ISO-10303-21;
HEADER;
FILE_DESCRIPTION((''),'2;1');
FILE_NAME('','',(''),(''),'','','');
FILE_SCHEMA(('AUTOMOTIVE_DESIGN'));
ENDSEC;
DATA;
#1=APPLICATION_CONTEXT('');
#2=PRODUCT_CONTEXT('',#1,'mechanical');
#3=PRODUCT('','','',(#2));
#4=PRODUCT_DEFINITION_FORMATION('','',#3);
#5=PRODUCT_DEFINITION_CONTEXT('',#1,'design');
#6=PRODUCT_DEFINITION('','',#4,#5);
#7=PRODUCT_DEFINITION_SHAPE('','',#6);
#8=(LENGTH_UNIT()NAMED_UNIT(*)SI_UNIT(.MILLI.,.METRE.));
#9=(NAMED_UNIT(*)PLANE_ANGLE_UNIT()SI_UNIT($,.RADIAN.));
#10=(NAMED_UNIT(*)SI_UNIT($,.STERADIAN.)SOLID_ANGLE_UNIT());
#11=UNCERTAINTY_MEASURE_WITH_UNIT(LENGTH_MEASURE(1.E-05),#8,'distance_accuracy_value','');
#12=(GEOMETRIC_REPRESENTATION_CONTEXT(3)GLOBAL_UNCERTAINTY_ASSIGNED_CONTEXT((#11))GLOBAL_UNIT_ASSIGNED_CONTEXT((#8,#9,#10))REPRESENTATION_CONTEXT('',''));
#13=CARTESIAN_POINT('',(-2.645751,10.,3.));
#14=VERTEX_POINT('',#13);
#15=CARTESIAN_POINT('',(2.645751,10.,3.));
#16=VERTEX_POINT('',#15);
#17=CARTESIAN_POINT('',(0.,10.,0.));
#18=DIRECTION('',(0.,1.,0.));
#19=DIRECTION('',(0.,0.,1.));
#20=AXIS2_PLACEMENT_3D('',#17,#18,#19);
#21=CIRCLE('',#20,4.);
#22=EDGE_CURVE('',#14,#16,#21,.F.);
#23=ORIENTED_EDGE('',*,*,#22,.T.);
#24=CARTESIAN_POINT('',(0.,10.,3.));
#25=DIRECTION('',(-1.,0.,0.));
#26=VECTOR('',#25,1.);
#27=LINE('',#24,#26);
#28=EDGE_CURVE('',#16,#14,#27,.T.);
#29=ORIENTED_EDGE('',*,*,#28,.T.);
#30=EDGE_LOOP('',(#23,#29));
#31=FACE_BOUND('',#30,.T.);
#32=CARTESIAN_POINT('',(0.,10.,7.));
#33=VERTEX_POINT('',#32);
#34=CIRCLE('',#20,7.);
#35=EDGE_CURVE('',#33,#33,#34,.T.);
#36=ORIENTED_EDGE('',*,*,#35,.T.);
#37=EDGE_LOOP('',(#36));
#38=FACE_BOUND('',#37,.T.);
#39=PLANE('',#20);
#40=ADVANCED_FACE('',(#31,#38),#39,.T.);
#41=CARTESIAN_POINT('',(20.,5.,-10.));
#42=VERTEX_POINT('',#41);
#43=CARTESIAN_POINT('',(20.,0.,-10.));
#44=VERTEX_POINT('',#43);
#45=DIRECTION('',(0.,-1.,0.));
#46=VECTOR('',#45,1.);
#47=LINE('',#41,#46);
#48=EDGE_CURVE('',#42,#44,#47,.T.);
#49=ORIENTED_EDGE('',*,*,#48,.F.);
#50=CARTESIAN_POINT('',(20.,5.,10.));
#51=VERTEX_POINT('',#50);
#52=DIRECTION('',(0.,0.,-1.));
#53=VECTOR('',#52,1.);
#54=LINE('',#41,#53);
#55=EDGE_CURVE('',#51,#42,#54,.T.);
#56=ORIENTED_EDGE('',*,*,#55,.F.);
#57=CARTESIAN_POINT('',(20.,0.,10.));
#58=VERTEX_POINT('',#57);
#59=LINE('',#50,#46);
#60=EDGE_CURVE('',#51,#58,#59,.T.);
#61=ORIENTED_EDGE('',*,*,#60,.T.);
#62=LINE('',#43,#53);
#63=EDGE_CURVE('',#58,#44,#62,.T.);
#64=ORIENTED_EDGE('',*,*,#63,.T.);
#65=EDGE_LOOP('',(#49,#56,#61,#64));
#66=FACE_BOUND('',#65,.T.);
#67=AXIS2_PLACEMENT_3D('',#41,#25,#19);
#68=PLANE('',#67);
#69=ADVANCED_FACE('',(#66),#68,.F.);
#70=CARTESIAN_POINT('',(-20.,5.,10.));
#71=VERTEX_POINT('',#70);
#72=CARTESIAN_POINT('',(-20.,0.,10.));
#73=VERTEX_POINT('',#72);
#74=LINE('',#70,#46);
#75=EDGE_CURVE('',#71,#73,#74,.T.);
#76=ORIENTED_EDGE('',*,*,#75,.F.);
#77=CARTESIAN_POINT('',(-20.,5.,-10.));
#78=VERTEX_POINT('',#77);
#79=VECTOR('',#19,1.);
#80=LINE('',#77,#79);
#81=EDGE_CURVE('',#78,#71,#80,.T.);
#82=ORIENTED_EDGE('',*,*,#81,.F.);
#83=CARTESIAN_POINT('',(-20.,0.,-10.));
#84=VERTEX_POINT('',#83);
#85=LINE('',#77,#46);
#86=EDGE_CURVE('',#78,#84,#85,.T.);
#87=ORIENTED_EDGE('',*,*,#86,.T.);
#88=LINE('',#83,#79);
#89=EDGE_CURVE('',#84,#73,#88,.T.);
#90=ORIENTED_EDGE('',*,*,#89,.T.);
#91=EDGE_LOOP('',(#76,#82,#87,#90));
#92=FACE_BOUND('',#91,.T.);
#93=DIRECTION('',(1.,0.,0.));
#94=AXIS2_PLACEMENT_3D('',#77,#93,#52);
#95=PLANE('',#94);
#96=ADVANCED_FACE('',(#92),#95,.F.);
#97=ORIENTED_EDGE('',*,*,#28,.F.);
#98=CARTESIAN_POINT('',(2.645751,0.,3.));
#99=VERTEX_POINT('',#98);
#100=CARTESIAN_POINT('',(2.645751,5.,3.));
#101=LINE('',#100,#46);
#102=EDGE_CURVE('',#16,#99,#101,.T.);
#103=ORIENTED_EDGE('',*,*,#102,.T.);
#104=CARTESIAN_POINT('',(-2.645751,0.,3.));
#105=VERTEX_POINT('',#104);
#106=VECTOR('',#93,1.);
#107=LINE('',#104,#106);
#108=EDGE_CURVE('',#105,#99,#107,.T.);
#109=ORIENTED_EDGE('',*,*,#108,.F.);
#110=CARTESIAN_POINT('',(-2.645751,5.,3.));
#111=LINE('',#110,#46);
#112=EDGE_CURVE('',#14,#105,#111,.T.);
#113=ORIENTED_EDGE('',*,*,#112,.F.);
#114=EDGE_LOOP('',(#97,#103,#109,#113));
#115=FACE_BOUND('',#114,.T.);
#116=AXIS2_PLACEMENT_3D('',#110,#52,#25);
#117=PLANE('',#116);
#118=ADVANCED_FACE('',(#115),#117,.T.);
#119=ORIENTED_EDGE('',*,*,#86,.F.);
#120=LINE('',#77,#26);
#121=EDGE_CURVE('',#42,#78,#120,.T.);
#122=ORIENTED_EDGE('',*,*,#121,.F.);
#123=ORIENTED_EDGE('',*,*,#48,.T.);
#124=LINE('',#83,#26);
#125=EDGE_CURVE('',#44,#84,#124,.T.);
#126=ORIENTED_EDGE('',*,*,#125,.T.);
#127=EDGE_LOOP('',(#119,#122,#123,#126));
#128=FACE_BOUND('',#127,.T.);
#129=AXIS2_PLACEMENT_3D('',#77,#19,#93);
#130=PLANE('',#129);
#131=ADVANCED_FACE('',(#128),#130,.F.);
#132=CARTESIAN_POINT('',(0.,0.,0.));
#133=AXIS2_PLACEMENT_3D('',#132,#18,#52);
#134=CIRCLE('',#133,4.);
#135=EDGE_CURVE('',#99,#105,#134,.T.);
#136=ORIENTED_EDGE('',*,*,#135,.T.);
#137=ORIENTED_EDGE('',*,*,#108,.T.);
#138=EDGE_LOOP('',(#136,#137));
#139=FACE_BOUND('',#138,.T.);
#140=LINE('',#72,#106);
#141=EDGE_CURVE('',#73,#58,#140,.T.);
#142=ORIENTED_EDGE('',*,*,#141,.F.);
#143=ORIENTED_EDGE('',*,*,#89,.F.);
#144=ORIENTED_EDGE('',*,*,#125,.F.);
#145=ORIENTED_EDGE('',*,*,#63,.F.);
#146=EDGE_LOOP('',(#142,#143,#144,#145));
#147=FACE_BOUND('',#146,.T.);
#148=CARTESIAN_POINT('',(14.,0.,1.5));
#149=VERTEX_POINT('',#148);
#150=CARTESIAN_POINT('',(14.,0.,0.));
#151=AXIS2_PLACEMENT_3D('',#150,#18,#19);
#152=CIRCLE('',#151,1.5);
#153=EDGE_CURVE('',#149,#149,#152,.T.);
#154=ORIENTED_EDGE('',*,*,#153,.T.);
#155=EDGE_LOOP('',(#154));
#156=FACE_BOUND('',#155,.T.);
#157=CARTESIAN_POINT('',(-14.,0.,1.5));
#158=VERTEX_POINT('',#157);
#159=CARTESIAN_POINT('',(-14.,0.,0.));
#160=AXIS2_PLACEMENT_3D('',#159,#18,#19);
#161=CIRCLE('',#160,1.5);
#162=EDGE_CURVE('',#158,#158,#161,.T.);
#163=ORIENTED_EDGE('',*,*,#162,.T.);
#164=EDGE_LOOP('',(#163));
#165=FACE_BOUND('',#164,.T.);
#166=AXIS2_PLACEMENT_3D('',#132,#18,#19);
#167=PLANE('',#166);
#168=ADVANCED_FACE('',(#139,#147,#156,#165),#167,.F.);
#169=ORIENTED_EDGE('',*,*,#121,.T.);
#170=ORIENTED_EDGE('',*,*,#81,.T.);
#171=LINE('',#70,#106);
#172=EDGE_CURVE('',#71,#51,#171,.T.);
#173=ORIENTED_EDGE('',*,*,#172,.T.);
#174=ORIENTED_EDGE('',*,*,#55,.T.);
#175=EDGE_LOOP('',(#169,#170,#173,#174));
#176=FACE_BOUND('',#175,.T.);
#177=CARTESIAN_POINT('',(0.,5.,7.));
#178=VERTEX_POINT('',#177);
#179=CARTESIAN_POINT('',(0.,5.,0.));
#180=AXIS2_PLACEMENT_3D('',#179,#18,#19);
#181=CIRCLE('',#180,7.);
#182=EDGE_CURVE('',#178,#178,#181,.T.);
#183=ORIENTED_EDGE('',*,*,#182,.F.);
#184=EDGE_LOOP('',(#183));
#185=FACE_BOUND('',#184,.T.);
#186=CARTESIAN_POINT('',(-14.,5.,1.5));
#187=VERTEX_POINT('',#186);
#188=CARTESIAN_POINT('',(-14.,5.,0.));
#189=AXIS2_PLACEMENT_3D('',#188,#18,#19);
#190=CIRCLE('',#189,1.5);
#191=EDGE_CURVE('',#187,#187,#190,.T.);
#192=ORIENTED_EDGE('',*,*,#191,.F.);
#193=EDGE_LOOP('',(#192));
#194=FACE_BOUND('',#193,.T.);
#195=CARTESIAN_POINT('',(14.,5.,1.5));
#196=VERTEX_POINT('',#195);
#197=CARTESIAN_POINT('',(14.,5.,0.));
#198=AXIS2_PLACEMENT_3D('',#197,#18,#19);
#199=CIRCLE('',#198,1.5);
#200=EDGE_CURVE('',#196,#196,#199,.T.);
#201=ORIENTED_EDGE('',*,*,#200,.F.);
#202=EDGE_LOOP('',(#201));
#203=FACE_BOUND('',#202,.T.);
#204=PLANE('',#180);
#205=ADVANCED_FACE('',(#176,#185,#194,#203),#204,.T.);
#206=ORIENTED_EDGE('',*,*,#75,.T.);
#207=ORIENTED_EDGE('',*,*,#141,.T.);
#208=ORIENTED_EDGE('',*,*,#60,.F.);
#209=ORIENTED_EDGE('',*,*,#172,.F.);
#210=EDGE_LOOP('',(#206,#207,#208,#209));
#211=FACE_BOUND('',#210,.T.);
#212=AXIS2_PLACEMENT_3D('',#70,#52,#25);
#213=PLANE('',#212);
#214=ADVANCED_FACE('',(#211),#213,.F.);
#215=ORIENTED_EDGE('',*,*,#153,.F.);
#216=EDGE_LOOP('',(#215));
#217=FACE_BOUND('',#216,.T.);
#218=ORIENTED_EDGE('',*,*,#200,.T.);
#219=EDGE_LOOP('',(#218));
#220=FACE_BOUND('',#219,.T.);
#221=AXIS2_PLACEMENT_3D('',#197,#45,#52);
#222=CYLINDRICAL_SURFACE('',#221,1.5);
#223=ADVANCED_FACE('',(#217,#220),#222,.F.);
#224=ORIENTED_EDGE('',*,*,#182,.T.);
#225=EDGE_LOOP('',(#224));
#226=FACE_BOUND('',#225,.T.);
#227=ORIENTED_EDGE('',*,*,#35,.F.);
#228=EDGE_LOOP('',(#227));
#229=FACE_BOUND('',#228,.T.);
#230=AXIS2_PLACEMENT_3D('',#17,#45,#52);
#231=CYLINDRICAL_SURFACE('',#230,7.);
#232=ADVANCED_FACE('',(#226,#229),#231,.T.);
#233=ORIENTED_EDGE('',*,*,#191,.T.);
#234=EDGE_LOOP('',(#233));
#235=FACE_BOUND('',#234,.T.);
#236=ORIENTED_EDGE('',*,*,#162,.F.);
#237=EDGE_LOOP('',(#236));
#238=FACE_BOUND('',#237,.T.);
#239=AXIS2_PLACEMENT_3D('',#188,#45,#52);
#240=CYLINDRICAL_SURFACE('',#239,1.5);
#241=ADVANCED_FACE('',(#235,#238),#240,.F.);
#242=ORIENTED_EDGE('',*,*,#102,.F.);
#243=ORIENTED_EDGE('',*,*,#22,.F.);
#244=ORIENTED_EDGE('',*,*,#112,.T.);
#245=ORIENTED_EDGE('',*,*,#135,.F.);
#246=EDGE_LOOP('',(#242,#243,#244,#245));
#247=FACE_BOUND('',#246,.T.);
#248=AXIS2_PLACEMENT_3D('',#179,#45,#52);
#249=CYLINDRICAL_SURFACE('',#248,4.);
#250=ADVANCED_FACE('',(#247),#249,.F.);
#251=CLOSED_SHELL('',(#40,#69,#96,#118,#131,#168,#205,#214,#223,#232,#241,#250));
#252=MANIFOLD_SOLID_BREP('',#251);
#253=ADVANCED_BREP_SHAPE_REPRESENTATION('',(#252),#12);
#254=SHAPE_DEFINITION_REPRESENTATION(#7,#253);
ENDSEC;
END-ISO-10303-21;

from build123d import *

# Parameters (mm, degrees)
SKETCH1_W           = 40
SKETCH1_H           = 20
SKETCH1_R           = 1.5
BOSS_EXTRUDE1_DEPTH = 5
SKETCH2_R           = 7
BOSS_EXTRUDE2_DEPTH = 5


with BuildPart() as part:
    # Sketch1 → Boss-Extrude1 (new body)
    with BuildSketch(Plane(origin=(0, 0, 0), x_dir=(1, 0, 0), z_dir=(0, 1, 0))):
        Rectangle(SKETCH1_W, SKETCH1_H)
        with Locations(Location((14, 0, 0), (0, 0, 270))):
            Circle(SKETCH1_R, mode=Mode.SUBTRACT)
        with Locations(Location((-14, 0, 0), (0, 0, 270))):
            Circle(SKETCH1_R, mode=Mode.SUBTRACT)
        with BuildLine():
            Line((-2.645751311, -3), (2.645751311, -3))
            ThreePointArc((2.645751311, -3), (0, 4), (-2.645751311, -3))
        make_face(mode=Mode.SUBTRACT)
    extrude(amount=BOSS_EXTRUDE1_DEPTH)

    # Sketch2 → Boss-Extrude2 (add)
    with BuildSketch(Plane(origin=(0, 5, 0), x_dir=(1, 0, 0), z_dir=(0, 1, 0))):
        with Locations(Location((0, 0, 0), (0, 0, 270))):
            Circle(SKETCH2_R)
        with BuildLine():
            ThreePointArc((-2.645751311, -3), (0, 4), (2.645751311, -3))
            Line((2.645751311, -3), (-2.645751311, -3))
        make_face(mode=Mode.SUBTRACT)
    extrude(amount=BOSS_EXTRUDE2_DEPTH)


solid = part.part
